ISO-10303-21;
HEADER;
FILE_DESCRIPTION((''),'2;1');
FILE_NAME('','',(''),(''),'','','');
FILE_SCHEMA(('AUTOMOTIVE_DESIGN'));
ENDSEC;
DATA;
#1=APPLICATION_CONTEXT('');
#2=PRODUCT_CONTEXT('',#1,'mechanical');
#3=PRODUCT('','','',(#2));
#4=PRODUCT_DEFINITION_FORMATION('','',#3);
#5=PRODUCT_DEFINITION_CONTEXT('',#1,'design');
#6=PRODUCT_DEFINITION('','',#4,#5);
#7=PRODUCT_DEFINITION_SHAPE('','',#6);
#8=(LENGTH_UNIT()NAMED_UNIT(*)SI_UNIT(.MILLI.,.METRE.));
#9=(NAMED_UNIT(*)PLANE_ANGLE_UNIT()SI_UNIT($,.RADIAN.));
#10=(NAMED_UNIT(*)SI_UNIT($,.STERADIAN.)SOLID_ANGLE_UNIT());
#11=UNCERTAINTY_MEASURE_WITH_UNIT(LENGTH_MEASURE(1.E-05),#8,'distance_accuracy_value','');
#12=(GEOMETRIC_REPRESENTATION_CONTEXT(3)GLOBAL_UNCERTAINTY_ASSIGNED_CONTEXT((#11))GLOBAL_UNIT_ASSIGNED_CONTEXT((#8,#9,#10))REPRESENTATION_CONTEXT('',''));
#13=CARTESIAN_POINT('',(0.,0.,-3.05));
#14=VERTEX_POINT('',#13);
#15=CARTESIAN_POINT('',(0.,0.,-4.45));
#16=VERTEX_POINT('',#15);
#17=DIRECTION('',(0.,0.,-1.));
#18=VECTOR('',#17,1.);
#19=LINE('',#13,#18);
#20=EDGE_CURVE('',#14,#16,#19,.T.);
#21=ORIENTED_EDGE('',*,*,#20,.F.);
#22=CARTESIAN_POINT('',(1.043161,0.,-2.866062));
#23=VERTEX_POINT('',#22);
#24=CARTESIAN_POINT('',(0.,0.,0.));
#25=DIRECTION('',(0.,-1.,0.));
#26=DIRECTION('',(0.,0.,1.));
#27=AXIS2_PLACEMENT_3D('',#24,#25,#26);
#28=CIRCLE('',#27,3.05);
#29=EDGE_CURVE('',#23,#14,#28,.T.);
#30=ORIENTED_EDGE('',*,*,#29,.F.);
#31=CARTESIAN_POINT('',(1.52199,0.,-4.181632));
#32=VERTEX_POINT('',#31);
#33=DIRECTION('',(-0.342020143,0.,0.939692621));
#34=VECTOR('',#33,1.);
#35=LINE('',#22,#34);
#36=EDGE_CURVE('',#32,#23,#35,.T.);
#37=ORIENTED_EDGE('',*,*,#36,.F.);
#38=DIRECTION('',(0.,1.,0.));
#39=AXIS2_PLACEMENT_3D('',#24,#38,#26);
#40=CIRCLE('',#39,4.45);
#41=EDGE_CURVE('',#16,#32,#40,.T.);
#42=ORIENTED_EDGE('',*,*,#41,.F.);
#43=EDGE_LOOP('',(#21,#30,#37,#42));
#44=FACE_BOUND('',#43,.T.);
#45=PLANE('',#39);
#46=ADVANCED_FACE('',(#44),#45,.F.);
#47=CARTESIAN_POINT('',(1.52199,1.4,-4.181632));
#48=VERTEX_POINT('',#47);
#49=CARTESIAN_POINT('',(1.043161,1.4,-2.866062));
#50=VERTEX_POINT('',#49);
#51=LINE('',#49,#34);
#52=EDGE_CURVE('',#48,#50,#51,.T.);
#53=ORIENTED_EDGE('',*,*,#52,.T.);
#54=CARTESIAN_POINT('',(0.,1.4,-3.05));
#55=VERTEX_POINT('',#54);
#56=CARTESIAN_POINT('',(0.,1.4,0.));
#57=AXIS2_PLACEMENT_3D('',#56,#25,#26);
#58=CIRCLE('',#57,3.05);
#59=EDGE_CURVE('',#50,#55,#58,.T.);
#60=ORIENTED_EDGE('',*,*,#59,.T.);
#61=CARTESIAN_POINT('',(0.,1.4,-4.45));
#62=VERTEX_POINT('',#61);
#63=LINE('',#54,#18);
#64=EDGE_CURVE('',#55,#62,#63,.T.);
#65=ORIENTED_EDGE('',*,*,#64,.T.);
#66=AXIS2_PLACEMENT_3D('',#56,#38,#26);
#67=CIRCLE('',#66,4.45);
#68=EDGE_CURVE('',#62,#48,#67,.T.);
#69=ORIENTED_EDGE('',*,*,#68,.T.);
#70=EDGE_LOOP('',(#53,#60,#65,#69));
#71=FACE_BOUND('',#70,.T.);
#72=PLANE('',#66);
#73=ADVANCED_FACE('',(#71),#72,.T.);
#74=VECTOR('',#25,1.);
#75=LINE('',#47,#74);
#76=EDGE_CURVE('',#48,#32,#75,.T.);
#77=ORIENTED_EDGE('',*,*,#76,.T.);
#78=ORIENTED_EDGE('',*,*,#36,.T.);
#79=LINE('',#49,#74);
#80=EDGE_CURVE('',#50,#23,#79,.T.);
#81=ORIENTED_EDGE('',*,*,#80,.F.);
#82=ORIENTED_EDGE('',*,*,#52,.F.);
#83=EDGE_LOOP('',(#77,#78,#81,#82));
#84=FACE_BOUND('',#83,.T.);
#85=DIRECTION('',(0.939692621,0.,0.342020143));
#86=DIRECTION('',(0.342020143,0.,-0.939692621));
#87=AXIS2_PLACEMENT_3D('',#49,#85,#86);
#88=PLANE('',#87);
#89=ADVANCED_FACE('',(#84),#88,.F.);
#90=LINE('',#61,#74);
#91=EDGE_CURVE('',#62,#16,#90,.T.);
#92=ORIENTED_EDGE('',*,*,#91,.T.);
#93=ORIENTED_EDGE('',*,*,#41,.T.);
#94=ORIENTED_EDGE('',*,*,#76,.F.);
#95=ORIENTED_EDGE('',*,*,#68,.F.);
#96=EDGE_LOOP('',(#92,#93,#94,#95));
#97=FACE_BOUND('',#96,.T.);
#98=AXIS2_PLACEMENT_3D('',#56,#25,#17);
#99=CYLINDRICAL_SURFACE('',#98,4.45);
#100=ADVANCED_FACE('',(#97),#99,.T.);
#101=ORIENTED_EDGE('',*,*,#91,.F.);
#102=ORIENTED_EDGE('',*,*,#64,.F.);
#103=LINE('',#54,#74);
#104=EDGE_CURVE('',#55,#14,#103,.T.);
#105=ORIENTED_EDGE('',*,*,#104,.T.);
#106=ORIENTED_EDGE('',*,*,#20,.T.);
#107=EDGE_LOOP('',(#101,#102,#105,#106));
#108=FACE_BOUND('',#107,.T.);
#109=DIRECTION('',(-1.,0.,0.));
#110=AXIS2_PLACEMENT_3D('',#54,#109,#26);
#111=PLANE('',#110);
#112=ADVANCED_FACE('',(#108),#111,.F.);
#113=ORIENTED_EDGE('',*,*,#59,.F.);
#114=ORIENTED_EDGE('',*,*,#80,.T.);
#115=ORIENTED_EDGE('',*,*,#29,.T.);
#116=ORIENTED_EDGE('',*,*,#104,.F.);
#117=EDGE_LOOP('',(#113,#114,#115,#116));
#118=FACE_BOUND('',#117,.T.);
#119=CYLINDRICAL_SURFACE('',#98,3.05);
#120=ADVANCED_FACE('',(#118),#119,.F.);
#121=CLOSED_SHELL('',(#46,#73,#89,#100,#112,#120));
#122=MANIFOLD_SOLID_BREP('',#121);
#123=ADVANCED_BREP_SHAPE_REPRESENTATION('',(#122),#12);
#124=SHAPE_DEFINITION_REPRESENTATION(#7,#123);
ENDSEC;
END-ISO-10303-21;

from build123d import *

# Parameters (mm, degrees)
BOSS_EXTRUDE1_DEPTH = 1.4


with BuildPart() as part:
    # Sketch1 → Boss-Extrude1 (new body)
    with BuildSketch(Plane(origin=(0, 0, 0), x_dir=(1, 0, 0), z_dir=(0, 1, 0))):
        with BuildLine():
            Line((0, 3.05), (0, 4.45))
            ThreePointArc((0, 4.45), (-0.772734391, -4.382394501), (1.521989638, 4.181632162))
            Line((1.521989638, 4.181632162), (1.043161437, 2.866062493))
            ThreePointArc((1.043161437, 2.866062493), (-0.529626942, -3.003663647), (0, 3.05))
        make_face()
    extrude(amount=BOSS_EXTRUDE1_DEPTH)


solid = part.part
